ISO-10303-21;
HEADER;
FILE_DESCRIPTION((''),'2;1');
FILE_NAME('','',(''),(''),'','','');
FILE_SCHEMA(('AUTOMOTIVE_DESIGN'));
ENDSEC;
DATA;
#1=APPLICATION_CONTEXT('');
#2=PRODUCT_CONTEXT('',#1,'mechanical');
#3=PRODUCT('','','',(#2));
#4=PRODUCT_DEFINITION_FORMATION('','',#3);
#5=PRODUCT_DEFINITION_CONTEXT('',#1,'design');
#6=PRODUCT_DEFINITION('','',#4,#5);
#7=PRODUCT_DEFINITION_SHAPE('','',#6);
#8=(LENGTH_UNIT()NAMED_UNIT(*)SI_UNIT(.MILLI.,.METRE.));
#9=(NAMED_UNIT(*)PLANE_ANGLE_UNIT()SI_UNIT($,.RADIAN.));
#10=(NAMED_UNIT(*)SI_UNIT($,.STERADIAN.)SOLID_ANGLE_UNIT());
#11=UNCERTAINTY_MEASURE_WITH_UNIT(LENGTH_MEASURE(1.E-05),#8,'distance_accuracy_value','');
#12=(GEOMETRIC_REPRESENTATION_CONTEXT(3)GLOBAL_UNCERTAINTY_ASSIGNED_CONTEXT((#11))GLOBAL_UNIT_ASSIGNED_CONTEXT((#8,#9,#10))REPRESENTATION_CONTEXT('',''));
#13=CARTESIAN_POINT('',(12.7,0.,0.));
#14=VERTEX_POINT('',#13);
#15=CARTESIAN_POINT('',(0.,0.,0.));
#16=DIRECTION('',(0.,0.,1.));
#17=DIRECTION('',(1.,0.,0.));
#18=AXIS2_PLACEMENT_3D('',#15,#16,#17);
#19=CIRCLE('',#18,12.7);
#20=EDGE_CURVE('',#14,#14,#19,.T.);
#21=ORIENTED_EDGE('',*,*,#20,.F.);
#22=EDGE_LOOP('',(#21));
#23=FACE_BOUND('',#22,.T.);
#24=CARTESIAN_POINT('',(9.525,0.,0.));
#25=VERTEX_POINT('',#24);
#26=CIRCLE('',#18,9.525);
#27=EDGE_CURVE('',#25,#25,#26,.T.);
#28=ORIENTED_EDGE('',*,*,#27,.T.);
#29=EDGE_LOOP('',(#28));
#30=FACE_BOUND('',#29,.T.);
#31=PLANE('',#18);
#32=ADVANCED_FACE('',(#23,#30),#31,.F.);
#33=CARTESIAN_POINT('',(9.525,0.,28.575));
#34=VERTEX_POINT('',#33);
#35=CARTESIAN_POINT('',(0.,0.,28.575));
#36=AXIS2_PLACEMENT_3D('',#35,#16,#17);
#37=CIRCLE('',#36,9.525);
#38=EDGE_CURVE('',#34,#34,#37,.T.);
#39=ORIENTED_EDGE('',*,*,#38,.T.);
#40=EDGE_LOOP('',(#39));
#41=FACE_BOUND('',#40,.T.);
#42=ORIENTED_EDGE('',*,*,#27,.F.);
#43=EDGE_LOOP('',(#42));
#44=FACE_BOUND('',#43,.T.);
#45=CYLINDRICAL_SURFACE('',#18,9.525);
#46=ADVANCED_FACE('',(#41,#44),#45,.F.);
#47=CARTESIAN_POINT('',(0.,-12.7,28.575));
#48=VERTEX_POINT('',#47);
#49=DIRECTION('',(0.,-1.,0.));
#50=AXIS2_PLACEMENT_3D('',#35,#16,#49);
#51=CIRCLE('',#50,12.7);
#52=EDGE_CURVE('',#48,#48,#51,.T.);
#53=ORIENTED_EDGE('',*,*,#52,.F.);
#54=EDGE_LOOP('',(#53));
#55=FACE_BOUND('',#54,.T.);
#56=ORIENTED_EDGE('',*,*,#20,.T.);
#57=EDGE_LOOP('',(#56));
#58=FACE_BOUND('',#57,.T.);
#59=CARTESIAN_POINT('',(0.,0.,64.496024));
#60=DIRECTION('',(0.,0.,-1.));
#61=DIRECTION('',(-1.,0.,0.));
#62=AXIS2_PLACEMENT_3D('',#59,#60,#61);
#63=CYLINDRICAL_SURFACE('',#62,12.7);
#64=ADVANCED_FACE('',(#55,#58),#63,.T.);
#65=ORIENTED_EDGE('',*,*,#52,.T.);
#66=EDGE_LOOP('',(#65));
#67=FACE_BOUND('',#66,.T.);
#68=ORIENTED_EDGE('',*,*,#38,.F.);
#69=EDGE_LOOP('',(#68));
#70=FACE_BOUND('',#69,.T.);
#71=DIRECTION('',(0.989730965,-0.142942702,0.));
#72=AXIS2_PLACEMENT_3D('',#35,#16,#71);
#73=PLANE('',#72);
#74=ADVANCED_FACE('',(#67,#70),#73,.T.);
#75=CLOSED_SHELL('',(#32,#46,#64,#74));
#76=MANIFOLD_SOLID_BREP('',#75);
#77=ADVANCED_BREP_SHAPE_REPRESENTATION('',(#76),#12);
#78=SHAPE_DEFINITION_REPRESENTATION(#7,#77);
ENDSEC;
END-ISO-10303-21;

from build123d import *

# Parameters (mm, degrees)
SKETCH1_R          = 12.7
BASE_EXTRUDE_DEPTH = 28.575
SKETCH2_R          = 9.525
CUT_EXTRUDE1_DEPTH = 29.575


with BuildPart() as part:
    # Sketch1 → Base-Extrude (new body)
    with BuildSketch(Plane.XY):
        Circle(SKETCH1_R)
    extrude(amount=BASE_EXTRUDE_DEPTH)

    # Sketch2 → Cut-Extrude1 (cut, through all)
    with BuildSketch(Plane.XY.offset(28.575)):
        Circle(SKETCH2_R)
    extrude(amount=-CUT_EXTRUDE1_DEPTH, mode=Mode.SUBTRACT)


solid = part.part
